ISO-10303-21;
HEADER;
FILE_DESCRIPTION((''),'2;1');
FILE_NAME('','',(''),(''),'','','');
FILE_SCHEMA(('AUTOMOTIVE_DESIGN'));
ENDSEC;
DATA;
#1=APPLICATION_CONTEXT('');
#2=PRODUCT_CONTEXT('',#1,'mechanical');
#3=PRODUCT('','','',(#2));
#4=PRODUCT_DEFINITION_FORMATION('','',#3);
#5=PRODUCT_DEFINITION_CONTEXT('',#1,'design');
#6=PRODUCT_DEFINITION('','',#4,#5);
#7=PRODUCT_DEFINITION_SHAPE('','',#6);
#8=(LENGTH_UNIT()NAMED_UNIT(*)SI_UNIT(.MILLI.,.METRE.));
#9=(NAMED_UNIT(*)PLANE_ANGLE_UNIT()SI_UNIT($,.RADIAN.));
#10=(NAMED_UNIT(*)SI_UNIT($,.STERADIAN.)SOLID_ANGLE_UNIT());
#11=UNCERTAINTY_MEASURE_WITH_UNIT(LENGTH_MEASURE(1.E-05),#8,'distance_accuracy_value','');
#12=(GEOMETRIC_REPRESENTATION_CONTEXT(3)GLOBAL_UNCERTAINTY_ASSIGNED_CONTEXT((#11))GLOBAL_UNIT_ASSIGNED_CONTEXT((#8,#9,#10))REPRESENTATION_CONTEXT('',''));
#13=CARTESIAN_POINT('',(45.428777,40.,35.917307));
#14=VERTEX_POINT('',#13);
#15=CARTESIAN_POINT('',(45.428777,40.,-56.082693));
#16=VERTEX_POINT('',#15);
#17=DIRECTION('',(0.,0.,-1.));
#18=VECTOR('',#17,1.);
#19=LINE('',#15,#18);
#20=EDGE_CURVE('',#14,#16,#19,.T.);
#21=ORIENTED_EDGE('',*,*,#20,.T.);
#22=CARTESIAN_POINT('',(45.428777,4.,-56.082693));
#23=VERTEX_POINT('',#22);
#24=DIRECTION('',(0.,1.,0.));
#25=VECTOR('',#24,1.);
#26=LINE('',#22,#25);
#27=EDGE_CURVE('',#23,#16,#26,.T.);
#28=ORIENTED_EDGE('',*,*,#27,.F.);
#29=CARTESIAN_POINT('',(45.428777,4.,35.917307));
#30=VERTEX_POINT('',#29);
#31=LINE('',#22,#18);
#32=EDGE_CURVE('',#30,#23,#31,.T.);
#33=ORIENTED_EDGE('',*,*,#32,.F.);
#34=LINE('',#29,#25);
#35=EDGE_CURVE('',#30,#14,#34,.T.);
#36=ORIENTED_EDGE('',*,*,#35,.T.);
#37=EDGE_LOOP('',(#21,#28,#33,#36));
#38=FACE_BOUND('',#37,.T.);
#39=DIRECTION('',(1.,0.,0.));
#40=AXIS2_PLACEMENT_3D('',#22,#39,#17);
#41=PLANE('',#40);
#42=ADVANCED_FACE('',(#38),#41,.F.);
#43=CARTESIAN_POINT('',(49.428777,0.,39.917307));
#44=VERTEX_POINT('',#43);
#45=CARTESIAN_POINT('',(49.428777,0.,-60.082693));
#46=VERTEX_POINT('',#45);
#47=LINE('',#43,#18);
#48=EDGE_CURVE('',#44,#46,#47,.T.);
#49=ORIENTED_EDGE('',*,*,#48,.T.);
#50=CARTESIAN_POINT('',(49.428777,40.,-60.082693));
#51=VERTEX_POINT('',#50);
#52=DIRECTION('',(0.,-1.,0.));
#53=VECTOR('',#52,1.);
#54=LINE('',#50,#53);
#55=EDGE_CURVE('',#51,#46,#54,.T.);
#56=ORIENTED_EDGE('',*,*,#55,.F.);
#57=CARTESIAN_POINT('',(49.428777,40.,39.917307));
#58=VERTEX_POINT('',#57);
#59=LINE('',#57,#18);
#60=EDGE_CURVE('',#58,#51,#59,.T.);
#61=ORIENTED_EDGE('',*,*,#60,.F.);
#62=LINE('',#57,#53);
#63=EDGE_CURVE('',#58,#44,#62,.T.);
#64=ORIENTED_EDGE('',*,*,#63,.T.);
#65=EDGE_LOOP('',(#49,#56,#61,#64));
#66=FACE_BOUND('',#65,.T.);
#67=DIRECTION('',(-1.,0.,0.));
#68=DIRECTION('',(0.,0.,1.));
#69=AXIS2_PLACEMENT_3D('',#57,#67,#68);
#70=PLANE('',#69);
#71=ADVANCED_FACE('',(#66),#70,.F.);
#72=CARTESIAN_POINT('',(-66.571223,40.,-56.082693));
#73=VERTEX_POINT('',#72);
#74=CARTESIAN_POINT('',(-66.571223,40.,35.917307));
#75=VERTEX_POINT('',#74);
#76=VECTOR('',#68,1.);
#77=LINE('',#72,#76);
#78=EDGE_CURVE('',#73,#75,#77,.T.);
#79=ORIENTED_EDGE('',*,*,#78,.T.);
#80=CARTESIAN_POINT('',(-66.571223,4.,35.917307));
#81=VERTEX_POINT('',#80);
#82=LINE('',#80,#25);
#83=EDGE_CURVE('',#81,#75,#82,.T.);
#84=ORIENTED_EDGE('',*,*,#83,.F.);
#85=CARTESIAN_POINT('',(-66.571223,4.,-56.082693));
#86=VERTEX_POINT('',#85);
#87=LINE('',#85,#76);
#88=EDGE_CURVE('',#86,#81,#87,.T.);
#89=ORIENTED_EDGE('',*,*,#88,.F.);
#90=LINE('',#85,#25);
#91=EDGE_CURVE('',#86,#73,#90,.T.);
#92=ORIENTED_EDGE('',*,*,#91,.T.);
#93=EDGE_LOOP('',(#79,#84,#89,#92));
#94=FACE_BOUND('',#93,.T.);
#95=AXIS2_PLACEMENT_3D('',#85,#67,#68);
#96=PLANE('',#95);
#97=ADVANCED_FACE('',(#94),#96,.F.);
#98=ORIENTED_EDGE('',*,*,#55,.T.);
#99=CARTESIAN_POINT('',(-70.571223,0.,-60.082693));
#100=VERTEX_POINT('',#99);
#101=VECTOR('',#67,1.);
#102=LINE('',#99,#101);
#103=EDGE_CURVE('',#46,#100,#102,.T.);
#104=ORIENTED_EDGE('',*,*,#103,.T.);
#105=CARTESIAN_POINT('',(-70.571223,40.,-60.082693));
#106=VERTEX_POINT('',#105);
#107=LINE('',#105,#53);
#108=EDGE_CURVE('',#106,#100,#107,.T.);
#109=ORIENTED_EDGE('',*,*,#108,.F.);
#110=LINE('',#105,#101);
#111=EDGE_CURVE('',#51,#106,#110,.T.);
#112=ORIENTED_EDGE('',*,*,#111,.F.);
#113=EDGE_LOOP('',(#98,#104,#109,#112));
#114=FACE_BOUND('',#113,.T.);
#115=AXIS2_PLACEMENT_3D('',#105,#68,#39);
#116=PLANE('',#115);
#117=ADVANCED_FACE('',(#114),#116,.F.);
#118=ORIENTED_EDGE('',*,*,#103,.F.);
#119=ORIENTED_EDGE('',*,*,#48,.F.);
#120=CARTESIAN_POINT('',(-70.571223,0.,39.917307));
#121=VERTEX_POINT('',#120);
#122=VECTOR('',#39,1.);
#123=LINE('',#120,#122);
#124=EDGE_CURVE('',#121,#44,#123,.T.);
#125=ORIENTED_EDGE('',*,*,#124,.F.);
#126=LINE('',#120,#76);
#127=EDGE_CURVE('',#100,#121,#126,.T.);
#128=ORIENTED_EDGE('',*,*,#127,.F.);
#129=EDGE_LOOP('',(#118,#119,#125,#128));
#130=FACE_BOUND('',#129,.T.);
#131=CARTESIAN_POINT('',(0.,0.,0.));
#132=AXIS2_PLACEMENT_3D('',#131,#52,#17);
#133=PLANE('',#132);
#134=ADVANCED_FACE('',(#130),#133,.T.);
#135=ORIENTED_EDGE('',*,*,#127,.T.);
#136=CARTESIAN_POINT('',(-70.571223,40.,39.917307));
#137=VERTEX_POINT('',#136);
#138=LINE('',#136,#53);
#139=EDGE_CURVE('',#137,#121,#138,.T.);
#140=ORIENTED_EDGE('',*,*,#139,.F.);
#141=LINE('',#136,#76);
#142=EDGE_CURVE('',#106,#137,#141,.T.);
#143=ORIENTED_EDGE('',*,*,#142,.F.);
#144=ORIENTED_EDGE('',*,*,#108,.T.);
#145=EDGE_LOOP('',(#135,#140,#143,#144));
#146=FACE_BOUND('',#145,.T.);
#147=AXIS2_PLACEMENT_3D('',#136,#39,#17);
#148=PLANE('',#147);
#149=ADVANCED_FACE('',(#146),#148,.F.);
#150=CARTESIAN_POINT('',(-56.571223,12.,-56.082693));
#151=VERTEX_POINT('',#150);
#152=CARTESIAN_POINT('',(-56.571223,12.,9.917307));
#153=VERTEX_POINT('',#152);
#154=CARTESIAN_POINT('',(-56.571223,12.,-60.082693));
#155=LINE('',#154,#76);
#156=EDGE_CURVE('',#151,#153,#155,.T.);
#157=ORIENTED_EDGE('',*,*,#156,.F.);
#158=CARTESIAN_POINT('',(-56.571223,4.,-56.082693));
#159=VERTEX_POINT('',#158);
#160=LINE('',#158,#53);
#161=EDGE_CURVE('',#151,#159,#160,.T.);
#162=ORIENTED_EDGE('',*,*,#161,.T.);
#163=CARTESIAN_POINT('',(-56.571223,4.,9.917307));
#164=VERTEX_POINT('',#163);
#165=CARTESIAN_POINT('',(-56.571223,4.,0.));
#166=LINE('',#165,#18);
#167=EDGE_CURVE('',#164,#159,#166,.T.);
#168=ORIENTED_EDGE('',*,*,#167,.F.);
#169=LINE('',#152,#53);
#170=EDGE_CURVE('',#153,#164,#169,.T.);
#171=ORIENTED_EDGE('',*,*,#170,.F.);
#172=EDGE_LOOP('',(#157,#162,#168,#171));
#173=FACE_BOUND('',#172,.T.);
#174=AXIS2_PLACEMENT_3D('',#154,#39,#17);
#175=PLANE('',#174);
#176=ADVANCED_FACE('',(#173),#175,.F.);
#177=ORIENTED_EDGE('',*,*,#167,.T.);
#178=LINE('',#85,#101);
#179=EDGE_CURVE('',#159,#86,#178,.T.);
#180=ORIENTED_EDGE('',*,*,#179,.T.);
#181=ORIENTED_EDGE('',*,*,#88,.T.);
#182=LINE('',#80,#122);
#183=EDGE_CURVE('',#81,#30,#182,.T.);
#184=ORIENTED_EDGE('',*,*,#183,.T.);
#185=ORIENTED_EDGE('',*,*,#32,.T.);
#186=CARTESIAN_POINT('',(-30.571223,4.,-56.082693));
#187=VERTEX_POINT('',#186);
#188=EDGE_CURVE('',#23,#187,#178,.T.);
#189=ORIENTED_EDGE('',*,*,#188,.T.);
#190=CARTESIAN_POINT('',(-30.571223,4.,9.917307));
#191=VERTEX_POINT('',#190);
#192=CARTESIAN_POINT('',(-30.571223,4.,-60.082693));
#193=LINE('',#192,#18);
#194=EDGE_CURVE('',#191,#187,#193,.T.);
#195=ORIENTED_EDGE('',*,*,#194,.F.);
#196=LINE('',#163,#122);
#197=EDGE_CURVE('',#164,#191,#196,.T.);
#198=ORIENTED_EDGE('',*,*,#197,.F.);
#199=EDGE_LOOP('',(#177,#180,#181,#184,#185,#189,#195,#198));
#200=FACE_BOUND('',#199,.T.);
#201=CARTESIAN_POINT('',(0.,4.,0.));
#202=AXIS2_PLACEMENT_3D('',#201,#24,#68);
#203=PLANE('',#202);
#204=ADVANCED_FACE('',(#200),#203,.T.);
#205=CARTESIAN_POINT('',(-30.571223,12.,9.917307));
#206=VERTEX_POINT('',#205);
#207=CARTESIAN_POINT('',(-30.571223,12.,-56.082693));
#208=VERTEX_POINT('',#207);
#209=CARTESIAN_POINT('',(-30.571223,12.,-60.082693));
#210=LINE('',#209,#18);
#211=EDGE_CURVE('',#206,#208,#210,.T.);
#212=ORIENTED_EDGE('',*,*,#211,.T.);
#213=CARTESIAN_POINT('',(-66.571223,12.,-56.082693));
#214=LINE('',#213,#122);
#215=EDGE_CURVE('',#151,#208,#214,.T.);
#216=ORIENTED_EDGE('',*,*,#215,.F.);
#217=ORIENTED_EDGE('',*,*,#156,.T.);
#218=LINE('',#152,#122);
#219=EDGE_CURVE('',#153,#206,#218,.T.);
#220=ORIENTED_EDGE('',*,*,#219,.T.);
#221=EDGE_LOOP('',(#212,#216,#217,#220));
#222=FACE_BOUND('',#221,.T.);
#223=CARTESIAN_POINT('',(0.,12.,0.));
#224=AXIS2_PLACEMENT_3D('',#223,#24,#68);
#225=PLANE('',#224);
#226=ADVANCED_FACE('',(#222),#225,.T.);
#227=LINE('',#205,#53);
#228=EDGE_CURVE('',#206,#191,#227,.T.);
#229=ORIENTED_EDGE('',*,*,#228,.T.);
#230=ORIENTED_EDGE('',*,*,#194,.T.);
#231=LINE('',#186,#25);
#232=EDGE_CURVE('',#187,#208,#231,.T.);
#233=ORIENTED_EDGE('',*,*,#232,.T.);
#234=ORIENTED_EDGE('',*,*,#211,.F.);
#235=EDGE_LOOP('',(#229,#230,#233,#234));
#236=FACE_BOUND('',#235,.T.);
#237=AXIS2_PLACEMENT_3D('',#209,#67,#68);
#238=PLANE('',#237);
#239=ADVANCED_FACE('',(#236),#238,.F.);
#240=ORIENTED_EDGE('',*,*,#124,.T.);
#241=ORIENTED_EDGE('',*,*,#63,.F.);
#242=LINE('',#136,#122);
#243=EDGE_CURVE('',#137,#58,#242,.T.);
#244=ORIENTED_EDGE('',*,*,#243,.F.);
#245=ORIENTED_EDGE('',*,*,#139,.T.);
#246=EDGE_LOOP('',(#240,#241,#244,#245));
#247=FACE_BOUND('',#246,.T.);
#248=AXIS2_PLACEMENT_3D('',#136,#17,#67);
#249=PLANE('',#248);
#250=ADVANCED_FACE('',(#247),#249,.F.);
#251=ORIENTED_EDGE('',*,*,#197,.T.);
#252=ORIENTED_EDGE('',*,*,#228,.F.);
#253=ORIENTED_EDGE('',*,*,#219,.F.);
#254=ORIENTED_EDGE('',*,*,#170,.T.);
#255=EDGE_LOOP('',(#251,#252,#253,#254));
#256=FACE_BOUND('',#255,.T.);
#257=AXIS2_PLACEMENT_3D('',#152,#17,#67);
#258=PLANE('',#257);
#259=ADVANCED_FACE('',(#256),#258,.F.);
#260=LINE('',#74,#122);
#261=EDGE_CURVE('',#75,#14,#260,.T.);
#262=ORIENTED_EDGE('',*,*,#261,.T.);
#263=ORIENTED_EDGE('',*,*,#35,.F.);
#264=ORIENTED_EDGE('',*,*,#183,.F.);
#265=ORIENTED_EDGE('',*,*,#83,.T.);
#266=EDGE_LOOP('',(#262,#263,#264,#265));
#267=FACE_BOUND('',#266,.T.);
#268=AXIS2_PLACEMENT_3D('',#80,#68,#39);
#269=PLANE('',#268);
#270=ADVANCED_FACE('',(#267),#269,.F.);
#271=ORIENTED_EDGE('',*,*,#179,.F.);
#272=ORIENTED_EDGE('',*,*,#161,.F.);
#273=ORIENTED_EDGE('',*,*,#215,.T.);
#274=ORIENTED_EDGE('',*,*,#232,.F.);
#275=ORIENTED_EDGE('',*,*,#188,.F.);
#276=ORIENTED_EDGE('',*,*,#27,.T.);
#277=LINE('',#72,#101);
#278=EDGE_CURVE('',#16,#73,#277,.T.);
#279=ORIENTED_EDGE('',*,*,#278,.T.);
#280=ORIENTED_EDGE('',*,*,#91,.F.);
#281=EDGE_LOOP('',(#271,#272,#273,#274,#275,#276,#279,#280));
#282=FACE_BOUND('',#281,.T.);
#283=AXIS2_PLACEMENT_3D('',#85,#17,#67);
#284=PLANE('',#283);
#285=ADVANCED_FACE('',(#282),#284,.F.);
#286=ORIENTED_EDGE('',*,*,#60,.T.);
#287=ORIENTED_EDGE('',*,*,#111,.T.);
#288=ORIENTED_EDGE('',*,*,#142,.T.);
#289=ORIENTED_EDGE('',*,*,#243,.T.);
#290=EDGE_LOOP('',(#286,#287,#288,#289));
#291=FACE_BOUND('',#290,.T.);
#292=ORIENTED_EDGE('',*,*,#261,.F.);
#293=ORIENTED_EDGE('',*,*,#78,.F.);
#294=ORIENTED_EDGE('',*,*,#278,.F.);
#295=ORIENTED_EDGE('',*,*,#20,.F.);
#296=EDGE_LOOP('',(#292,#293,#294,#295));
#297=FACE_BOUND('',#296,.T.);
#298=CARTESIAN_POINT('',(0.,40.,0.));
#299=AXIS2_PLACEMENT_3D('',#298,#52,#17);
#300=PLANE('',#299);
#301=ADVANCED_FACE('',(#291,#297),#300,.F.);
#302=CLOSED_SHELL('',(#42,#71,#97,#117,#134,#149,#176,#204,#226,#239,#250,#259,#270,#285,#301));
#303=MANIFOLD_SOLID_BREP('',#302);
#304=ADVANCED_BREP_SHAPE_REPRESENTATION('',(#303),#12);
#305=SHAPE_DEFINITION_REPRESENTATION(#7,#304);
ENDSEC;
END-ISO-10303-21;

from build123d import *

# Parameters (mm, degrees)
SKETCH1_W           = 120
SKETCH1_H           = 100
BOSS_EXTRUDE1_DEPTH = 40
SKETCH2_W           = 112
SKETCH2_H           = 92
CUT_EXTRUDE1_DEPTH  = 36
SKETCH3_W           = 26
SKETCH3_H           = 70
BOSS_EXTRUDE3_DEPTH = 8


with BuildPart() as part:
    # Sketch1 → Boss-Extrude1 (new body)
    with BuildSketch(Plane(origin=(0, 0, 0), x_dir=(1, 0, 0), z_dir=(0, 1, 0))):
        with Locations((-10.571222942, 10.082692781)):
            Rectangle(SKETCH1_W, SKETCH1_H)
    extrude(amount=BOSS_EXTRUDE1_DEPTH)

    # Sketch2 → Cut-Extrude1 (cut)
    with BuildSketch(Plane(origin=(0, 40, 0), x_dir=(1, 0, 0), z_dir=(0, 1, 0))):
        with Locations((-10.571222942, 10.082692781)):
            Rectangle(SKETCH2_W, SKETCH2_H)
    extrude(amount=-CUT_EXTRUDE1_DEPTH, mode=Mode.SUBTRACT)

    # Sketch3 → Boss-Extrude3 (add)
    with BuildSketch(Plane(origin=(0, 4, 0), x_dir=(1, 0, 0), z_dir=(0, 1, 0))):
        with Locations((-43.571222942, 25.082692781)):
            Rectangle(SKETCH3_W, SKETCH3_H)
    extrude(amount=BOSS_EXTRUDE3_DEPTH)


solid = part.part
